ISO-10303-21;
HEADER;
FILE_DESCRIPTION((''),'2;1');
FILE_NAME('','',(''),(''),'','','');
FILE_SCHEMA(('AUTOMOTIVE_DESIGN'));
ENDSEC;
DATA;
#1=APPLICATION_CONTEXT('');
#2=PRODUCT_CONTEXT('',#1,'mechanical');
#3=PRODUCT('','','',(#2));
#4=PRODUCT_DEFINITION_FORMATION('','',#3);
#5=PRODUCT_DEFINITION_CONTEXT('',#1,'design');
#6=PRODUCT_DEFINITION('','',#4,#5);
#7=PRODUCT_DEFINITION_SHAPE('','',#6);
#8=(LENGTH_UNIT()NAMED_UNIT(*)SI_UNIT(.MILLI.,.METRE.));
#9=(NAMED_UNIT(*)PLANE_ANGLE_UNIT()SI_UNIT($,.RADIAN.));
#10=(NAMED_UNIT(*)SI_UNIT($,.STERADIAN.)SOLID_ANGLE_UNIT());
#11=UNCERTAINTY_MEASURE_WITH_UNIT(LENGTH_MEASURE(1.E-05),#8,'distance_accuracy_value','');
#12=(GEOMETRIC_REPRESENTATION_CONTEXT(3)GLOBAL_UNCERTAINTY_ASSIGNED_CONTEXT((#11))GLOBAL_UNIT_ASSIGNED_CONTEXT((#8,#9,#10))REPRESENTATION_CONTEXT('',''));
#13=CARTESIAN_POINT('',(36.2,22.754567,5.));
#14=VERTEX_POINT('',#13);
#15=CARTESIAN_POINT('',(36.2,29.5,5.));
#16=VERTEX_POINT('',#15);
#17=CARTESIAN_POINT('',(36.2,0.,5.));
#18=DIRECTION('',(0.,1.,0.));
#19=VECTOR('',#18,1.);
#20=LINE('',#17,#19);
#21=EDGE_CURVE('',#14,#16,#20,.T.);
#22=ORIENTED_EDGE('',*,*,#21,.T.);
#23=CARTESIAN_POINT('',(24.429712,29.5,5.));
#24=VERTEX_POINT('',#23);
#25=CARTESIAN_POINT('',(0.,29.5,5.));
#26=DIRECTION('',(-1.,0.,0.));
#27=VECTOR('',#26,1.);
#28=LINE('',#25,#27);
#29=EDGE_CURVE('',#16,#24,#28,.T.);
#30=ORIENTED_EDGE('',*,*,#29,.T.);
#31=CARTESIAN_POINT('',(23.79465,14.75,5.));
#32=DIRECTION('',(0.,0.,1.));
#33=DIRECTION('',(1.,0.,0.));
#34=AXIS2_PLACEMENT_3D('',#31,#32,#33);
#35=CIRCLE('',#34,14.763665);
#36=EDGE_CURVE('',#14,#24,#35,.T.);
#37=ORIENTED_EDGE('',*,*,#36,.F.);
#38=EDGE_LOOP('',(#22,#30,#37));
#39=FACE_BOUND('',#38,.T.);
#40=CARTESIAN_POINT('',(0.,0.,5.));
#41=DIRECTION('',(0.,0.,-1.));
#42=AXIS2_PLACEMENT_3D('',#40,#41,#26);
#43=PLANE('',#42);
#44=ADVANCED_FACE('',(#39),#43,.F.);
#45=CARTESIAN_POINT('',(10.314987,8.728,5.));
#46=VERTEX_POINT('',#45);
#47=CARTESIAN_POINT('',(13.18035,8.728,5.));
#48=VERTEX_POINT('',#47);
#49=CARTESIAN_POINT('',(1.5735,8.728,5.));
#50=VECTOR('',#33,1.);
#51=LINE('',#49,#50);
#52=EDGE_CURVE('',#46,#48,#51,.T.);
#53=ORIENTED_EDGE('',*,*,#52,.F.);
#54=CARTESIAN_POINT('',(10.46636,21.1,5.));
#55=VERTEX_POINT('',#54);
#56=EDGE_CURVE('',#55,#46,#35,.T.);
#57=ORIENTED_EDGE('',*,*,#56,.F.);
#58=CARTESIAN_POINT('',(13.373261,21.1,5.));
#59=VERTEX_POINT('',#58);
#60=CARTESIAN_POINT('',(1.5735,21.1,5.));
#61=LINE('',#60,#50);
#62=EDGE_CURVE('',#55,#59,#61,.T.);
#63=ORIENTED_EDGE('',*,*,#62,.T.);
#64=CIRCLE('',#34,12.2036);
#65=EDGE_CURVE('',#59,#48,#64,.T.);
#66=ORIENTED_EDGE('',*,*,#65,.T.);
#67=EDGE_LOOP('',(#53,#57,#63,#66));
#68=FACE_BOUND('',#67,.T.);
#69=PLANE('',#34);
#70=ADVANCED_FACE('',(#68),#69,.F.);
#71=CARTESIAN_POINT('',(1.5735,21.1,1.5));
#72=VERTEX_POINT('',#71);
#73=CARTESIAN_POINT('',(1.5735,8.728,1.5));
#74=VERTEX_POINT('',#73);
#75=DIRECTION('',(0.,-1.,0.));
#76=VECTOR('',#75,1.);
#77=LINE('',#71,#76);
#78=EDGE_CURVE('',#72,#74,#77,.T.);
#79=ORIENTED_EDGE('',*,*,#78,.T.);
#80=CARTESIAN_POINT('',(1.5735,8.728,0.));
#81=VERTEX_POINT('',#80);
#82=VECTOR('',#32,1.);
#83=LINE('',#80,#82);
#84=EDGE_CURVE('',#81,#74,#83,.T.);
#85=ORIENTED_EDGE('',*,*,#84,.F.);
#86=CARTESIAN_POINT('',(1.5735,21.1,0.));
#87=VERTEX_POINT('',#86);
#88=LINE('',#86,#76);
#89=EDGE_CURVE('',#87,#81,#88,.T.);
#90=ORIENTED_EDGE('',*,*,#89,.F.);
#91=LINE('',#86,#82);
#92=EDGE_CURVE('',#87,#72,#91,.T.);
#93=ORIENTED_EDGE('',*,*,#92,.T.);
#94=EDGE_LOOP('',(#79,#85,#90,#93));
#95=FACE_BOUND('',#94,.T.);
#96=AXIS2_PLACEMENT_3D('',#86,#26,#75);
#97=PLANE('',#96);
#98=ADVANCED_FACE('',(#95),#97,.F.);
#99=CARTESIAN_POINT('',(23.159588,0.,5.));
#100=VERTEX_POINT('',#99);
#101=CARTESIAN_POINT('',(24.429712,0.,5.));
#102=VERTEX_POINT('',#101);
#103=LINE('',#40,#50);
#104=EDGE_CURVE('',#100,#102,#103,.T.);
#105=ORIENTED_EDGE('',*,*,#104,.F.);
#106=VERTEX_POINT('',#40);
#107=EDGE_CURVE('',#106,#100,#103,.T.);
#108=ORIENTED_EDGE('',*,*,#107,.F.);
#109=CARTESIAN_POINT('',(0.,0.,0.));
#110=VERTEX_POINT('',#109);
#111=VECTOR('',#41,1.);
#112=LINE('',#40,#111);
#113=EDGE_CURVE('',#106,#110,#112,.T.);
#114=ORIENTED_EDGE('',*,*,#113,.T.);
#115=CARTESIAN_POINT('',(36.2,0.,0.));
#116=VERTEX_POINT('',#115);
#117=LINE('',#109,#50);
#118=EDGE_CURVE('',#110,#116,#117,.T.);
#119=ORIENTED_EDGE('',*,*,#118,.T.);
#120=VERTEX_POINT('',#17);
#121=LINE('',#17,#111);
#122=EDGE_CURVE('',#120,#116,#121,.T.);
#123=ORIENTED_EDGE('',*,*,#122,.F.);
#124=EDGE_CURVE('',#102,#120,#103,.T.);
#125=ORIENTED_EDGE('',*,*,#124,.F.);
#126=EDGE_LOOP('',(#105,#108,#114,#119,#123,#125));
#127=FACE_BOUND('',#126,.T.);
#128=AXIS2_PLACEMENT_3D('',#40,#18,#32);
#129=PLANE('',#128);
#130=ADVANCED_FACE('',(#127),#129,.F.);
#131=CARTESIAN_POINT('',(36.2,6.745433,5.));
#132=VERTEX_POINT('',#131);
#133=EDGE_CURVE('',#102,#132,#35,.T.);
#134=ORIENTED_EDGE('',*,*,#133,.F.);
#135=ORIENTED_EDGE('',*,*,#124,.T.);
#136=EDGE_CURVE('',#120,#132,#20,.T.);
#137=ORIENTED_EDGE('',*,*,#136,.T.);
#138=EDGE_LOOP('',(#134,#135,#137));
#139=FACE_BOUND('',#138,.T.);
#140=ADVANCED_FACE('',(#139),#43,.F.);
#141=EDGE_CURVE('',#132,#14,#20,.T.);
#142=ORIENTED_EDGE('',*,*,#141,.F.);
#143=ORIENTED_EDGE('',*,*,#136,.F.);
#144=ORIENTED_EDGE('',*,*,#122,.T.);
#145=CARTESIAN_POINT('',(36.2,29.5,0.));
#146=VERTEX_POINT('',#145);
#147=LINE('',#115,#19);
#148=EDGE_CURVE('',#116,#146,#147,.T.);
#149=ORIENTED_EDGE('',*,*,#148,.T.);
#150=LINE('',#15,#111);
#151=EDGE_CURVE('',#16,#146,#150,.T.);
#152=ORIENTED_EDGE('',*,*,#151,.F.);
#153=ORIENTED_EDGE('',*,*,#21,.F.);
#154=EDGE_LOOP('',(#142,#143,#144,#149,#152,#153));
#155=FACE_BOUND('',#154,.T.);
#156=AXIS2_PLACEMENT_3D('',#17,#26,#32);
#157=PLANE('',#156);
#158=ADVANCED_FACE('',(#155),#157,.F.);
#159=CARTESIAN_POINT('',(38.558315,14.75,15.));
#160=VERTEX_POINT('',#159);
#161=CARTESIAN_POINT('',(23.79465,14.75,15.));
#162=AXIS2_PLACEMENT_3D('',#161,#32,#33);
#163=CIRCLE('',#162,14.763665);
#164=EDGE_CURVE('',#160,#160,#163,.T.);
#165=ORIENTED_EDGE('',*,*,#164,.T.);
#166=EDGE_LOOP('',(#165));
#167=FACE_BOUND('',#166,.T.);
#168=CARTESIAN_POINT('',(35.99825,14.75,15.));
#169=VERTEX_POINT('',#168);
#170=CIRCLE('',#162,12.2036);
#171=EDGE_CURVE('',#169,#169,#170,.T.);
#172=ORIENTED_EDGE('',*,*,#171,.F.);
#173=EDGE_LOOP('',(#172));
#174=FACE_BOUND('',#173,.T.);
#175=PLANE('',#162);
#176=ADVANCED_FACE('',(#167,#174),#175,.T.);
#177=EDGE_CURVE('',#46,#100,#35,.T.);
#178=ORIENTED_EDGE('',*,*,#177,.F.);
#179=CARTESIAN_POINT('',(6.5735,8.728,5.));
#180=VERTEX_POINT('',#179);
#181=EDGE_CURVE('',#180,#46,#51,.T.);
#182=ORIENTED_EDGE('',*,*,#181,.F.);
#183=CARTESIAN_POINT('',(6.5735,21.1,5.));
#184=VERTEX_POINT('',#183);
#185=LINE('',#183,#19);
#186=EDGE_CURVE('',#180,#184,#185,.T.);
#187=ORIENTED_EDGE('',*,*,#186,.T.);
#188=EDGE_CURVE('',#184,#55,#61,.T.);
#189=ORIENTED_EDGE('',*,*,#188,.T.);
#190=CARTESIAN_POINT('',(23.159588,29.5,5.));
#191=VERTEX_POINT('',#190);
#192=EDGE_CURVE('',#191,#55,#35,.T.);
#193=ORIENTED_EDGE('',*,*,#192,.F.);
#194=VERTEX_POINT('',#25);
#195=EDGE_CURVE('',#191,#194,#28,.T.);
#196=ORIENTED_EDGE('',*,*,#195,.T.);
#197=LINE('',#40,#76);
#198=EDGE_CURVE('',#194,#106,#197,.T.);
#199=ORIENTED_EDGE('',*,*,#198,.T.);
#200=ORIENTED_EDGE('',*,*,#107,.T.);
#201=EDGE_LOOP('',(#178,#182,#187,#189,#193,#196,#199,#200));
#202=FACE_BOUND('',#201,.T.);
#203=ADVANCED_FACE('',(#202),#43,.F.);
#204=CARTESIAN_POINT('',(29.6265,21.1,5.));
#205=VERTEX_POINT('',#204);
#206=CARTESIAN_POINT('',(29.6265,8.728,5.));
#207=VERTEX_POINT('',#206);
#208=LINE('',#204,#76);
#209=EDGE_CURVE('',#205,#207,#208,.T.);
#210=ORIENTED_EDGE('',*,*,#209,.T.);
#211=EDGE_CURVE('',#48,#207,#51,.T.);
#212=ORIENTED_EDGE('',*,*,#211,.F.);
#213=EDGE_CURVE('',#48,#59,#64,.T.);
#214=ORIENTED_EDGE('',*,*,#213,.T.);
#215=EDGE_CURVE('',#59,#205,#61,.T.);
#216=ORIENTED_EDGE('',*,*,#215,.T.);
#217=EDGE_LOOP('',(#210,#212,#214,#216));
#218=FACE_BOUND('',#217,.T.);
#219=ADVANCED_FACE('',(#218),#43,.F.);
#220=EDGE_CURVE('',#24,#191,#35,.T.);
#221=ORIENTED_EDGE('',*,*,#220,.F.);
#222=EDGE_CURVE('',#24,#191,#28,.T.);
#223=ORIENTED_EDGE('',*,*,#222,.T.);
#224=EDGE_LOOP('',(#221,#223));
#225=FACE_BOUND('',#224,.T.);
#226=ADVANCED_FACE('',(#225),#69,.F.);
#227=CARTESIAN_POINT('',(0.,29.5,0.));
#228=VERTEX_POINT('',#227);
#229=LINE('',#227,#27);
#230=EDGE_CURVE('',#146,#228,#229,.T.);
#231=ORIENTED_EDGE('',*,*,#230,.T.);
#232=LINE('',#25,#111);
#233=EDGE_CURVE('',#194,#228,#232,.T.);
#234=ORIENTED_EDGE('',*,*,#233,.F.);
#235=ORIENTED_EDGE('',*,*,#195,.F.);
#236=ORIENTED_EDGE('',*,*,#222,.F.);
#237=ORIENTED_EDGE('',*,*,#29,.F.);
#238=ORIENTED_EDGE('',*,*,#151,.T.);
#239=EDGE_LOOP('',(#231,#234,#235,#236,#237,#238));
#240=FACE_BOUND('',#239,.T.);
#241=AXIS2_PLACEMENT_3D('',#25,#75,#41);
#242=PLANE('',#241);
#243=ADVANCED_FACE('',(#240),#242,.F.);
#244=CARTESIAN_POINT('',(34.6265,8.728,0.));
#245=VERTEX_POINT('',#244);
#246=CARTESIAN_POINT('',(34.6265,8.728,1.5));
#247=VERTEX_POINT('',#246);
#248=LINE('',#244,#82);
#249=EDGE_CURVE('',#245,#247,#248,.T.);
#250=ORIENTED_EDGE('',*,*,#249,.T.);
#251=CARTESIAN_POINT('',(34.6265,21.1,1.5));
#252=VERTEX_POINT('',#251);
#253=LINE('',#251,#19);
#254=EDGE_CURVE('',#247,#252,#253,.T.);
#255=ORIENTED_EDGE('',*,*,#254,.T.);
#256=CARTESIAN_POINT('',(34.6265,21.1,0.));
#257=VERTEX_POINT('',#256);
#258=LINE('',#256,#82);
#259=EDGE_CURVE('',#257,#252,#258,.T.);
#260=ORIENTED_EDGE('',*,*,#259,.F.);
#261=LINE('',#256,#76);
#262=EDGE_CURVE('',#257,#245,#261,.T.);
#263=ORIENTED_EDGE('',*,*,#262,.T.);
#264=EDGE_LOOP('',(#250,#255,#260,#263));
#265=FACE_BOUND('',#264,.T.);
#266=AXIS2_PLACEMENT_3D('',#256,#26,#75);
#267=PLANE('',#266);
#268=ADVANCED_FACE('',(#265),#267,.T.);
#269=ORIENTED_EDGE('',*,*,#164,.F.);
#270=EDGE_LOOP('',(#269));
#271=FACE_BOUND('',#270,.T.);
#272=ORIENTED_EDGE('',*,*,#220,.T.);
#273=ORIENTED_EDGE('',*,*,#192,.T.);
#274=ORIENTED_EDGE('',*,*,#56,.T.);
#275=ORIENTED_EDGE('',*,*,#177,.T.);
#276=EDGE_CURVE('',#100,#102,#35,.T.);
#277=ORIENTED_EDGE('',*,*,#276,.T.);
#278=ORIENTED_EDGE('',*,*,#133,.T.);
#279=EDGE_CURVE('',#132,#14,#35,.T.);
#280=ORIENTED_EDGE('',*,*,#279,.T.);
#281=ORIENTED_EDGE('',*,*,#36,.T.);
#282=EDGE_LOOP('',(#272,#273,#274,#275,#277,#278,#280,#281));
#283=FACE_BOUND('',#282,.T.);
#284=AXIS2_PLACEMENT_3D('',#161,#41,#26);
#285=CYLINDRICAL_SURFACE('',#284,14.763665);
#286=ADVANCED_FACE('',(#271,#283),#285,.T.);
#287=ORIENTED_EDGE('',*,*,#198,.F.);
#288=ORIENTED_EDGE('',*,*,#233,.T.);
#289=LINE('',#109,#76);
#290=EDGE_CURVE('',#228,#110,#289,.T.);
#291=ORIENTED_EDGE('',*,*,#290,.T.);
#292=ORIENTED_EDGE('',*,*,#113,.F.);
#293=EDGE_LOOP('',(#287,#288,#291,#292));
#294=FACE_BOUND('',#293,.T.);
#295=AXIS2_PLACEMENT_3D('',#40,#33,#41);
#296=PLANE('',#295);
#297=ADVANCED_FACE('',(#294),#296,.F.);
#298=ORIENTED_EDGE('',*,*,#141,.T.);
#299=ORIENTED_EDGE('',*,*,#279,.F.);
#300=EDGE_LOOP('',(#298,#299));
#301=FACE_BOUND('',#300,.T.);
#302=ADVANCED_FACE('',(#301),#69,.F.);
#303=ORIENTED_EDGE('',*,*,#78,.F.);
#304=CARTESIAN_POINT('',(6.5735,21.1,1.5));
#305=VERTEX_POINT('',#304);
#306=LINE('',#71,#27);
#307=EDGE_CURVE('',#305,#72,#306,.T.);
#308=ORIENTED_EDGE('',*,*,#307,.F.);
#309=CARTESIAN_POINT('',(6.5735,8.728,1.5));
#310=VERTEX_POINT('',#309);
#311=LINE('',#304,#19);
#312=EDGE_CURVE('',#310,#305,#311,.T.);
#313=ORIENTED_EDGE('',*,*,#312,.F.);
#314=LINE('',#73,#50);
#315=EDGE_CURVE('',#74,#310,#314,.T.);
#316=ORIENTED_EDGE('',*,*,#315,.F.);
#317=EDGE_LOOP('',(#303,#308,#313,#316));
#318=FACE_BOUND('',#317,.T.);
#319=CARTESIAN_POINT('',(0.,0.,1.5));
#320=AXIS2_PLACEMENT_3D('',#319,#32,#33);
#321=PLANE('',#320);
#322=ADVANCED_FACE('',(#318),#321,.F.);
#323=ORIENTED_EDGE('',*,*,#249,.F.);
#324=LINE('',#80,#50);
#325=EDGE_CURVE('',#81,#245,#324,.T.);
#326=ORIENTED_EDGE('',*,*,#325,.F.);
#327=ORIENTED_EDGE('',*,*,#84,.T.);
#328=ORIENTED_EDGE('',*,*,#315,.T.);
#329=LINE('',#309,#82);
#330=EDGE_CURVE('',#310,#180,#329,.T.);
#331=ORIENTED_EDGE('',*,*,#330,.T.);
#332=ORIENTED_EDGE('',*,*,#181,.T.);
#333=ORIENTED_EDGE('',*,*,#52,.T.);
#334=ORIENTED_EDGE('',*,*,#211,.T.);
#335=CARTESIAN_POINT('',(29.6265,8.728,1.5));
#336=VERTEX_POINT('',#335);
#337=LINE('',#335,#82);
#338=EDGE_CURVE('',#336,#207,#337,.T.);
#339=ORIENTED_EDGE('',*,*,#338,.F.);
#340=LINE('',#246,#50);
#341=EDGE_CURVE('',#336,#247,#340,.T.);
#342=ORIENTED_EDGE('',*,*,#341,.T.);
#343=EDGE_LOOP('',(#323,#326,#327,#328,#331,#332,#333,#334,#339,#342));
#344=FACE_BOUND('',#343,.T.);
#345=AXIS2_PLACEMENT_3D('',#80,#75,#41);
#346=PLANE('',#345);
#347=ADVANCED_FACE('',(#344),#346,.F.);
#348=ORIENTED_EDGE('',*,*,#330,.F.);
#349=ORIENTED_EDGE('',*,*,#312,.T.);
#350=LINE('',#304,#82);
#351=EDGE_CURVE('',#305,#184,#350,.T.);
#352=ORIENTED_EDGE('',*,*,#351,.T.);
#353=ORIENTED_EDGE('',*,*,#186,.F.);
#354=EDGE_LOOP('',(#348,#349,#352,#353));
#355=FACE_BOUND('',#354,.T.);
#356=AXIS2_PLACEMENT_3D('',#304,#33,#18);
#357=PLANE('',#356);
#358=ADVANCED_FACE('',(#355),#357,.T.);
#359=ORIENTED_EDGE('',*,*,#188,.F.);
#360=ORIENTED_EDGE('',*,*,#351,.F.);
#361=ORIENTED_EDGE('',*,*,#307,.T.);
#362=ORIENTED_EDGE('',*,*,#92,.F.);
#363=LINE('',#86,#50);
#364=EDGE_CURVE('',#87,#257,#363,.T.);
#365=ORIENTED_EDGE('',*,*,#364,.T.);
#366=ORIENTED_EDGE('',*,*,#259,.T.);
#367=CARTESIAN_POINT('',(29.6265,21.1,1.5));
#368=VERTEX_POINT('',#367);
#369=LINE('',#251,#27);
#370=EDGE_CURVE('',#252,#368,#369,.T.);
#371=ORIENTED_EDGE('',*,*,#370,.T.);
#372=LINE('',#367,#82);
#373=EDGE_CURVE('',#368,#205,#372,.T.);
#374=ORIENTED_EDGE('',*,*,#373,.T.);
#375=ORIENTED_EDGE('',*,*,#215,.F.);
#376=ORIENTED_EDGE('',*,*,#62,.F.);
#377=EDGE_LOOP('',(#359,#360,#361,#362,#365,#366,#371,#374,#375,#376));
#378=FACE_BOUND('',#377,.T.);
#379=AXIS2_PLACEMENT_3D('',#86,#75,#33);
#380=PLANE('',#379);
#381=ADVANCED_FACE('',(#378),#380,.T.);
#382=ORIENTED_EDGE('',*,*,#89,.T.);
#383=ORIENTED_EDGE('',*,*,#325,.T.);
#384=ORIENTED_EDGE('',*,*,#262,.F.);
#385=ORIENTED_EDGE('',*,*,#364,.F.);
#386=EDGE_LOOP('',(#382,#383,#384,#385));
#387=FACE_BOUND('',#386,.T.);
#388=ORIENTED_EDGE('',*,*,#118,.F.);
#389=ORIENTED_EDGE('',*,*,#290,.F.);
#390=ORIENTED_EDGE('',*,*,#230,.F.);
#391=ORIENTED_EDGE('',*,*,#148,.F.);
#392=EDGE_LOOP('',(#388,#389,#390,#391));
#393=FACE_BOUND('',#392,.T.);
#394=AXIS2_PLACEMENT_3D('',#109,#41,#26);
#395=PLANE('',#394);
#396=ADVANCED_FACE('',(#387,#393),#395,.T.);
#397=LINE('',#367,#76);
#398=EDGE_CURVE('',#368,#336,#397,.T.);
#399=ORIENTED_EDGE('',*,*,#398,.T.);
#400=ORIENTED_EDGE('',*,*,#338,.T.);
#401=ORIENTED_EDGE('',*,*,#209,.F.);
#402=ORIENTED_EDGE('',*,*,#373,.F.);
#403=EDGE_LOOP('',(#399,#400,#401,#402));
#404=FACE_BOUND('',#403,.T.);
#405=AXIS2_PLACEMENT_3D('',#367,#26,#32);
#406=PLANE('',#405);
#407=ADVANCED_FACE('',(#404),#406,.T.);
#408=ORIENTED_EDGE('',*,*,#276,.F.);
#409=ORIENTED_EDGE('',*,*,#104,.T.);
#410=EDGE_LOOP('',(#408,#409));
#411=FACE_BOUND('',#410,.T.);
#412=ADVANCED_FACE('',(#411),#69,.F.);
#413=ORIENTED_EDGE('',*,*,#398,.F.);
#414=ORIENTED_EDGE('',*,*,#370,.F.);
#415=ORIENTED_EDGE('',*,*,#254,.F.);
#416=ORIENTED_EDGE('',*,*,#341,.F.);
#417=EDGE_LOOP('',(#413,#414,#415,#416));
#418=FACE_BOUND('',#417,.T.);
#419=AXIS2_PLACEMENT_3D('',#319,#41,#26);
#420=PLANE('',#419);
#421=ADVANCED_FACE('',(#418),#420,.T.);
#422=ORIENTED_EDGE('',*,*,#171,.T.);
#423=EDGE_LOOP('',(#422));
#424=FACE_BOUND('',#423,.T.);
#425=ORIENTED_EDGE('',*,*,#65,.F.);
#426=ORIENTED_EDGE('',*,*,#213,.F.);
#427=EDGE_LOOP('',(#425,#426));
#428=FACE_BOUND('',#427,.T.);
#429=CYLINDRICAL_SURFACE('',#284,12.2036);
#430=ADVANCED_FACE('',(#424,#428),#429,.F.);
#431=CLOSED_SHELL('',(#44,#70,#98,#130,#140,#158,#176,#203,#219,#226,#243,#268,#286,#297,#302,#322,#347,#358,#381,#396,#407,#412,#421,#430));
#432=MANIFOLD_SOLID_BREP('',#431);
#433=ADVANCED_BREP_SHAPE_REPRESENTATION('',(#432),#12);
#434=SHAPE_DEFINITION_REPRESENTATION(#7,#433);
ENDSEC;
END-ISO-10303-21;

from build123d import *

# Parameters (mm, degrees)
SKETCH1_W           = 36.2
SKETCH1_H           = 29.5
BOSS_EXTRUDE1_DEPTH = 5
SKETCH3_W           = 33.053
SKETCH3_H           = 12.372
CUT_EXTRUDE1_DEPTH  = 47.964774033
SKETCH4_W           = 5
SKETCH4_H           = 12.372
BOSS_EXTRUDE2_DEPTH = 3.5
SKETCH5_R           = 14.763665
SKETCH5_R_2         = 12.2036
BOSS_EXTRUDE3_DEPTH = 10


with BuildPart() as part:
    # Sketch1 → Boss-Extrude1 (new body)
    with BuildSketch(Plane.XY):
        with Locations((18.1, 14.75)):
            Rectangle(SKETCH1_W, SKETCH1_H)
    extrude(amount=BOSS_EXTRUDE1_DEPTH)

    # Sketch3 → Cut-Extrude1 (cut, through all)
    with BuildSketch(Plane.XY.offset(5)):
        with Locations((18.1, 14.914)):
            Rectangle(SKETCH3_W, SKETCH3_H)
    extrude(amount=-CUT_EXTRUDE1_DEPTH, mode=Mode.SUBTRACT)

    # Sketch4 → Boss-Extrude2 (add)
    with BuildSketch(Plane.XY.offset(5)):
        with Locations((4.0735, 14.914)):
            Rectangle(SKETCH4_W, SKETCH4_H)
        with Locations((32.1265, 14.914)):
            Rectangle(SKETCH4_W, SKETCH4_H)
    extrude(amount=-BOSS_EXTRUDE2_DEPTH)

    # Sketch5 → Boss-Extrude3 (add)
    with BuildSketch(Plane.XY.offset(5)):
        with Locations(Location((23.79465, 14.75, 0), (0, 0, 204.072563575))):
            Circle(SKETCH5_R)
        with Locations(Location((23.79465, 14.75, 0), (0, 0, 209.568314483))):
            Circle(SKETCH5_R_2, mode=Mode.SUBTRACT)
    extrude(amount=BOSS_EXTRUDE3_DEPTH)


solid = part.part
